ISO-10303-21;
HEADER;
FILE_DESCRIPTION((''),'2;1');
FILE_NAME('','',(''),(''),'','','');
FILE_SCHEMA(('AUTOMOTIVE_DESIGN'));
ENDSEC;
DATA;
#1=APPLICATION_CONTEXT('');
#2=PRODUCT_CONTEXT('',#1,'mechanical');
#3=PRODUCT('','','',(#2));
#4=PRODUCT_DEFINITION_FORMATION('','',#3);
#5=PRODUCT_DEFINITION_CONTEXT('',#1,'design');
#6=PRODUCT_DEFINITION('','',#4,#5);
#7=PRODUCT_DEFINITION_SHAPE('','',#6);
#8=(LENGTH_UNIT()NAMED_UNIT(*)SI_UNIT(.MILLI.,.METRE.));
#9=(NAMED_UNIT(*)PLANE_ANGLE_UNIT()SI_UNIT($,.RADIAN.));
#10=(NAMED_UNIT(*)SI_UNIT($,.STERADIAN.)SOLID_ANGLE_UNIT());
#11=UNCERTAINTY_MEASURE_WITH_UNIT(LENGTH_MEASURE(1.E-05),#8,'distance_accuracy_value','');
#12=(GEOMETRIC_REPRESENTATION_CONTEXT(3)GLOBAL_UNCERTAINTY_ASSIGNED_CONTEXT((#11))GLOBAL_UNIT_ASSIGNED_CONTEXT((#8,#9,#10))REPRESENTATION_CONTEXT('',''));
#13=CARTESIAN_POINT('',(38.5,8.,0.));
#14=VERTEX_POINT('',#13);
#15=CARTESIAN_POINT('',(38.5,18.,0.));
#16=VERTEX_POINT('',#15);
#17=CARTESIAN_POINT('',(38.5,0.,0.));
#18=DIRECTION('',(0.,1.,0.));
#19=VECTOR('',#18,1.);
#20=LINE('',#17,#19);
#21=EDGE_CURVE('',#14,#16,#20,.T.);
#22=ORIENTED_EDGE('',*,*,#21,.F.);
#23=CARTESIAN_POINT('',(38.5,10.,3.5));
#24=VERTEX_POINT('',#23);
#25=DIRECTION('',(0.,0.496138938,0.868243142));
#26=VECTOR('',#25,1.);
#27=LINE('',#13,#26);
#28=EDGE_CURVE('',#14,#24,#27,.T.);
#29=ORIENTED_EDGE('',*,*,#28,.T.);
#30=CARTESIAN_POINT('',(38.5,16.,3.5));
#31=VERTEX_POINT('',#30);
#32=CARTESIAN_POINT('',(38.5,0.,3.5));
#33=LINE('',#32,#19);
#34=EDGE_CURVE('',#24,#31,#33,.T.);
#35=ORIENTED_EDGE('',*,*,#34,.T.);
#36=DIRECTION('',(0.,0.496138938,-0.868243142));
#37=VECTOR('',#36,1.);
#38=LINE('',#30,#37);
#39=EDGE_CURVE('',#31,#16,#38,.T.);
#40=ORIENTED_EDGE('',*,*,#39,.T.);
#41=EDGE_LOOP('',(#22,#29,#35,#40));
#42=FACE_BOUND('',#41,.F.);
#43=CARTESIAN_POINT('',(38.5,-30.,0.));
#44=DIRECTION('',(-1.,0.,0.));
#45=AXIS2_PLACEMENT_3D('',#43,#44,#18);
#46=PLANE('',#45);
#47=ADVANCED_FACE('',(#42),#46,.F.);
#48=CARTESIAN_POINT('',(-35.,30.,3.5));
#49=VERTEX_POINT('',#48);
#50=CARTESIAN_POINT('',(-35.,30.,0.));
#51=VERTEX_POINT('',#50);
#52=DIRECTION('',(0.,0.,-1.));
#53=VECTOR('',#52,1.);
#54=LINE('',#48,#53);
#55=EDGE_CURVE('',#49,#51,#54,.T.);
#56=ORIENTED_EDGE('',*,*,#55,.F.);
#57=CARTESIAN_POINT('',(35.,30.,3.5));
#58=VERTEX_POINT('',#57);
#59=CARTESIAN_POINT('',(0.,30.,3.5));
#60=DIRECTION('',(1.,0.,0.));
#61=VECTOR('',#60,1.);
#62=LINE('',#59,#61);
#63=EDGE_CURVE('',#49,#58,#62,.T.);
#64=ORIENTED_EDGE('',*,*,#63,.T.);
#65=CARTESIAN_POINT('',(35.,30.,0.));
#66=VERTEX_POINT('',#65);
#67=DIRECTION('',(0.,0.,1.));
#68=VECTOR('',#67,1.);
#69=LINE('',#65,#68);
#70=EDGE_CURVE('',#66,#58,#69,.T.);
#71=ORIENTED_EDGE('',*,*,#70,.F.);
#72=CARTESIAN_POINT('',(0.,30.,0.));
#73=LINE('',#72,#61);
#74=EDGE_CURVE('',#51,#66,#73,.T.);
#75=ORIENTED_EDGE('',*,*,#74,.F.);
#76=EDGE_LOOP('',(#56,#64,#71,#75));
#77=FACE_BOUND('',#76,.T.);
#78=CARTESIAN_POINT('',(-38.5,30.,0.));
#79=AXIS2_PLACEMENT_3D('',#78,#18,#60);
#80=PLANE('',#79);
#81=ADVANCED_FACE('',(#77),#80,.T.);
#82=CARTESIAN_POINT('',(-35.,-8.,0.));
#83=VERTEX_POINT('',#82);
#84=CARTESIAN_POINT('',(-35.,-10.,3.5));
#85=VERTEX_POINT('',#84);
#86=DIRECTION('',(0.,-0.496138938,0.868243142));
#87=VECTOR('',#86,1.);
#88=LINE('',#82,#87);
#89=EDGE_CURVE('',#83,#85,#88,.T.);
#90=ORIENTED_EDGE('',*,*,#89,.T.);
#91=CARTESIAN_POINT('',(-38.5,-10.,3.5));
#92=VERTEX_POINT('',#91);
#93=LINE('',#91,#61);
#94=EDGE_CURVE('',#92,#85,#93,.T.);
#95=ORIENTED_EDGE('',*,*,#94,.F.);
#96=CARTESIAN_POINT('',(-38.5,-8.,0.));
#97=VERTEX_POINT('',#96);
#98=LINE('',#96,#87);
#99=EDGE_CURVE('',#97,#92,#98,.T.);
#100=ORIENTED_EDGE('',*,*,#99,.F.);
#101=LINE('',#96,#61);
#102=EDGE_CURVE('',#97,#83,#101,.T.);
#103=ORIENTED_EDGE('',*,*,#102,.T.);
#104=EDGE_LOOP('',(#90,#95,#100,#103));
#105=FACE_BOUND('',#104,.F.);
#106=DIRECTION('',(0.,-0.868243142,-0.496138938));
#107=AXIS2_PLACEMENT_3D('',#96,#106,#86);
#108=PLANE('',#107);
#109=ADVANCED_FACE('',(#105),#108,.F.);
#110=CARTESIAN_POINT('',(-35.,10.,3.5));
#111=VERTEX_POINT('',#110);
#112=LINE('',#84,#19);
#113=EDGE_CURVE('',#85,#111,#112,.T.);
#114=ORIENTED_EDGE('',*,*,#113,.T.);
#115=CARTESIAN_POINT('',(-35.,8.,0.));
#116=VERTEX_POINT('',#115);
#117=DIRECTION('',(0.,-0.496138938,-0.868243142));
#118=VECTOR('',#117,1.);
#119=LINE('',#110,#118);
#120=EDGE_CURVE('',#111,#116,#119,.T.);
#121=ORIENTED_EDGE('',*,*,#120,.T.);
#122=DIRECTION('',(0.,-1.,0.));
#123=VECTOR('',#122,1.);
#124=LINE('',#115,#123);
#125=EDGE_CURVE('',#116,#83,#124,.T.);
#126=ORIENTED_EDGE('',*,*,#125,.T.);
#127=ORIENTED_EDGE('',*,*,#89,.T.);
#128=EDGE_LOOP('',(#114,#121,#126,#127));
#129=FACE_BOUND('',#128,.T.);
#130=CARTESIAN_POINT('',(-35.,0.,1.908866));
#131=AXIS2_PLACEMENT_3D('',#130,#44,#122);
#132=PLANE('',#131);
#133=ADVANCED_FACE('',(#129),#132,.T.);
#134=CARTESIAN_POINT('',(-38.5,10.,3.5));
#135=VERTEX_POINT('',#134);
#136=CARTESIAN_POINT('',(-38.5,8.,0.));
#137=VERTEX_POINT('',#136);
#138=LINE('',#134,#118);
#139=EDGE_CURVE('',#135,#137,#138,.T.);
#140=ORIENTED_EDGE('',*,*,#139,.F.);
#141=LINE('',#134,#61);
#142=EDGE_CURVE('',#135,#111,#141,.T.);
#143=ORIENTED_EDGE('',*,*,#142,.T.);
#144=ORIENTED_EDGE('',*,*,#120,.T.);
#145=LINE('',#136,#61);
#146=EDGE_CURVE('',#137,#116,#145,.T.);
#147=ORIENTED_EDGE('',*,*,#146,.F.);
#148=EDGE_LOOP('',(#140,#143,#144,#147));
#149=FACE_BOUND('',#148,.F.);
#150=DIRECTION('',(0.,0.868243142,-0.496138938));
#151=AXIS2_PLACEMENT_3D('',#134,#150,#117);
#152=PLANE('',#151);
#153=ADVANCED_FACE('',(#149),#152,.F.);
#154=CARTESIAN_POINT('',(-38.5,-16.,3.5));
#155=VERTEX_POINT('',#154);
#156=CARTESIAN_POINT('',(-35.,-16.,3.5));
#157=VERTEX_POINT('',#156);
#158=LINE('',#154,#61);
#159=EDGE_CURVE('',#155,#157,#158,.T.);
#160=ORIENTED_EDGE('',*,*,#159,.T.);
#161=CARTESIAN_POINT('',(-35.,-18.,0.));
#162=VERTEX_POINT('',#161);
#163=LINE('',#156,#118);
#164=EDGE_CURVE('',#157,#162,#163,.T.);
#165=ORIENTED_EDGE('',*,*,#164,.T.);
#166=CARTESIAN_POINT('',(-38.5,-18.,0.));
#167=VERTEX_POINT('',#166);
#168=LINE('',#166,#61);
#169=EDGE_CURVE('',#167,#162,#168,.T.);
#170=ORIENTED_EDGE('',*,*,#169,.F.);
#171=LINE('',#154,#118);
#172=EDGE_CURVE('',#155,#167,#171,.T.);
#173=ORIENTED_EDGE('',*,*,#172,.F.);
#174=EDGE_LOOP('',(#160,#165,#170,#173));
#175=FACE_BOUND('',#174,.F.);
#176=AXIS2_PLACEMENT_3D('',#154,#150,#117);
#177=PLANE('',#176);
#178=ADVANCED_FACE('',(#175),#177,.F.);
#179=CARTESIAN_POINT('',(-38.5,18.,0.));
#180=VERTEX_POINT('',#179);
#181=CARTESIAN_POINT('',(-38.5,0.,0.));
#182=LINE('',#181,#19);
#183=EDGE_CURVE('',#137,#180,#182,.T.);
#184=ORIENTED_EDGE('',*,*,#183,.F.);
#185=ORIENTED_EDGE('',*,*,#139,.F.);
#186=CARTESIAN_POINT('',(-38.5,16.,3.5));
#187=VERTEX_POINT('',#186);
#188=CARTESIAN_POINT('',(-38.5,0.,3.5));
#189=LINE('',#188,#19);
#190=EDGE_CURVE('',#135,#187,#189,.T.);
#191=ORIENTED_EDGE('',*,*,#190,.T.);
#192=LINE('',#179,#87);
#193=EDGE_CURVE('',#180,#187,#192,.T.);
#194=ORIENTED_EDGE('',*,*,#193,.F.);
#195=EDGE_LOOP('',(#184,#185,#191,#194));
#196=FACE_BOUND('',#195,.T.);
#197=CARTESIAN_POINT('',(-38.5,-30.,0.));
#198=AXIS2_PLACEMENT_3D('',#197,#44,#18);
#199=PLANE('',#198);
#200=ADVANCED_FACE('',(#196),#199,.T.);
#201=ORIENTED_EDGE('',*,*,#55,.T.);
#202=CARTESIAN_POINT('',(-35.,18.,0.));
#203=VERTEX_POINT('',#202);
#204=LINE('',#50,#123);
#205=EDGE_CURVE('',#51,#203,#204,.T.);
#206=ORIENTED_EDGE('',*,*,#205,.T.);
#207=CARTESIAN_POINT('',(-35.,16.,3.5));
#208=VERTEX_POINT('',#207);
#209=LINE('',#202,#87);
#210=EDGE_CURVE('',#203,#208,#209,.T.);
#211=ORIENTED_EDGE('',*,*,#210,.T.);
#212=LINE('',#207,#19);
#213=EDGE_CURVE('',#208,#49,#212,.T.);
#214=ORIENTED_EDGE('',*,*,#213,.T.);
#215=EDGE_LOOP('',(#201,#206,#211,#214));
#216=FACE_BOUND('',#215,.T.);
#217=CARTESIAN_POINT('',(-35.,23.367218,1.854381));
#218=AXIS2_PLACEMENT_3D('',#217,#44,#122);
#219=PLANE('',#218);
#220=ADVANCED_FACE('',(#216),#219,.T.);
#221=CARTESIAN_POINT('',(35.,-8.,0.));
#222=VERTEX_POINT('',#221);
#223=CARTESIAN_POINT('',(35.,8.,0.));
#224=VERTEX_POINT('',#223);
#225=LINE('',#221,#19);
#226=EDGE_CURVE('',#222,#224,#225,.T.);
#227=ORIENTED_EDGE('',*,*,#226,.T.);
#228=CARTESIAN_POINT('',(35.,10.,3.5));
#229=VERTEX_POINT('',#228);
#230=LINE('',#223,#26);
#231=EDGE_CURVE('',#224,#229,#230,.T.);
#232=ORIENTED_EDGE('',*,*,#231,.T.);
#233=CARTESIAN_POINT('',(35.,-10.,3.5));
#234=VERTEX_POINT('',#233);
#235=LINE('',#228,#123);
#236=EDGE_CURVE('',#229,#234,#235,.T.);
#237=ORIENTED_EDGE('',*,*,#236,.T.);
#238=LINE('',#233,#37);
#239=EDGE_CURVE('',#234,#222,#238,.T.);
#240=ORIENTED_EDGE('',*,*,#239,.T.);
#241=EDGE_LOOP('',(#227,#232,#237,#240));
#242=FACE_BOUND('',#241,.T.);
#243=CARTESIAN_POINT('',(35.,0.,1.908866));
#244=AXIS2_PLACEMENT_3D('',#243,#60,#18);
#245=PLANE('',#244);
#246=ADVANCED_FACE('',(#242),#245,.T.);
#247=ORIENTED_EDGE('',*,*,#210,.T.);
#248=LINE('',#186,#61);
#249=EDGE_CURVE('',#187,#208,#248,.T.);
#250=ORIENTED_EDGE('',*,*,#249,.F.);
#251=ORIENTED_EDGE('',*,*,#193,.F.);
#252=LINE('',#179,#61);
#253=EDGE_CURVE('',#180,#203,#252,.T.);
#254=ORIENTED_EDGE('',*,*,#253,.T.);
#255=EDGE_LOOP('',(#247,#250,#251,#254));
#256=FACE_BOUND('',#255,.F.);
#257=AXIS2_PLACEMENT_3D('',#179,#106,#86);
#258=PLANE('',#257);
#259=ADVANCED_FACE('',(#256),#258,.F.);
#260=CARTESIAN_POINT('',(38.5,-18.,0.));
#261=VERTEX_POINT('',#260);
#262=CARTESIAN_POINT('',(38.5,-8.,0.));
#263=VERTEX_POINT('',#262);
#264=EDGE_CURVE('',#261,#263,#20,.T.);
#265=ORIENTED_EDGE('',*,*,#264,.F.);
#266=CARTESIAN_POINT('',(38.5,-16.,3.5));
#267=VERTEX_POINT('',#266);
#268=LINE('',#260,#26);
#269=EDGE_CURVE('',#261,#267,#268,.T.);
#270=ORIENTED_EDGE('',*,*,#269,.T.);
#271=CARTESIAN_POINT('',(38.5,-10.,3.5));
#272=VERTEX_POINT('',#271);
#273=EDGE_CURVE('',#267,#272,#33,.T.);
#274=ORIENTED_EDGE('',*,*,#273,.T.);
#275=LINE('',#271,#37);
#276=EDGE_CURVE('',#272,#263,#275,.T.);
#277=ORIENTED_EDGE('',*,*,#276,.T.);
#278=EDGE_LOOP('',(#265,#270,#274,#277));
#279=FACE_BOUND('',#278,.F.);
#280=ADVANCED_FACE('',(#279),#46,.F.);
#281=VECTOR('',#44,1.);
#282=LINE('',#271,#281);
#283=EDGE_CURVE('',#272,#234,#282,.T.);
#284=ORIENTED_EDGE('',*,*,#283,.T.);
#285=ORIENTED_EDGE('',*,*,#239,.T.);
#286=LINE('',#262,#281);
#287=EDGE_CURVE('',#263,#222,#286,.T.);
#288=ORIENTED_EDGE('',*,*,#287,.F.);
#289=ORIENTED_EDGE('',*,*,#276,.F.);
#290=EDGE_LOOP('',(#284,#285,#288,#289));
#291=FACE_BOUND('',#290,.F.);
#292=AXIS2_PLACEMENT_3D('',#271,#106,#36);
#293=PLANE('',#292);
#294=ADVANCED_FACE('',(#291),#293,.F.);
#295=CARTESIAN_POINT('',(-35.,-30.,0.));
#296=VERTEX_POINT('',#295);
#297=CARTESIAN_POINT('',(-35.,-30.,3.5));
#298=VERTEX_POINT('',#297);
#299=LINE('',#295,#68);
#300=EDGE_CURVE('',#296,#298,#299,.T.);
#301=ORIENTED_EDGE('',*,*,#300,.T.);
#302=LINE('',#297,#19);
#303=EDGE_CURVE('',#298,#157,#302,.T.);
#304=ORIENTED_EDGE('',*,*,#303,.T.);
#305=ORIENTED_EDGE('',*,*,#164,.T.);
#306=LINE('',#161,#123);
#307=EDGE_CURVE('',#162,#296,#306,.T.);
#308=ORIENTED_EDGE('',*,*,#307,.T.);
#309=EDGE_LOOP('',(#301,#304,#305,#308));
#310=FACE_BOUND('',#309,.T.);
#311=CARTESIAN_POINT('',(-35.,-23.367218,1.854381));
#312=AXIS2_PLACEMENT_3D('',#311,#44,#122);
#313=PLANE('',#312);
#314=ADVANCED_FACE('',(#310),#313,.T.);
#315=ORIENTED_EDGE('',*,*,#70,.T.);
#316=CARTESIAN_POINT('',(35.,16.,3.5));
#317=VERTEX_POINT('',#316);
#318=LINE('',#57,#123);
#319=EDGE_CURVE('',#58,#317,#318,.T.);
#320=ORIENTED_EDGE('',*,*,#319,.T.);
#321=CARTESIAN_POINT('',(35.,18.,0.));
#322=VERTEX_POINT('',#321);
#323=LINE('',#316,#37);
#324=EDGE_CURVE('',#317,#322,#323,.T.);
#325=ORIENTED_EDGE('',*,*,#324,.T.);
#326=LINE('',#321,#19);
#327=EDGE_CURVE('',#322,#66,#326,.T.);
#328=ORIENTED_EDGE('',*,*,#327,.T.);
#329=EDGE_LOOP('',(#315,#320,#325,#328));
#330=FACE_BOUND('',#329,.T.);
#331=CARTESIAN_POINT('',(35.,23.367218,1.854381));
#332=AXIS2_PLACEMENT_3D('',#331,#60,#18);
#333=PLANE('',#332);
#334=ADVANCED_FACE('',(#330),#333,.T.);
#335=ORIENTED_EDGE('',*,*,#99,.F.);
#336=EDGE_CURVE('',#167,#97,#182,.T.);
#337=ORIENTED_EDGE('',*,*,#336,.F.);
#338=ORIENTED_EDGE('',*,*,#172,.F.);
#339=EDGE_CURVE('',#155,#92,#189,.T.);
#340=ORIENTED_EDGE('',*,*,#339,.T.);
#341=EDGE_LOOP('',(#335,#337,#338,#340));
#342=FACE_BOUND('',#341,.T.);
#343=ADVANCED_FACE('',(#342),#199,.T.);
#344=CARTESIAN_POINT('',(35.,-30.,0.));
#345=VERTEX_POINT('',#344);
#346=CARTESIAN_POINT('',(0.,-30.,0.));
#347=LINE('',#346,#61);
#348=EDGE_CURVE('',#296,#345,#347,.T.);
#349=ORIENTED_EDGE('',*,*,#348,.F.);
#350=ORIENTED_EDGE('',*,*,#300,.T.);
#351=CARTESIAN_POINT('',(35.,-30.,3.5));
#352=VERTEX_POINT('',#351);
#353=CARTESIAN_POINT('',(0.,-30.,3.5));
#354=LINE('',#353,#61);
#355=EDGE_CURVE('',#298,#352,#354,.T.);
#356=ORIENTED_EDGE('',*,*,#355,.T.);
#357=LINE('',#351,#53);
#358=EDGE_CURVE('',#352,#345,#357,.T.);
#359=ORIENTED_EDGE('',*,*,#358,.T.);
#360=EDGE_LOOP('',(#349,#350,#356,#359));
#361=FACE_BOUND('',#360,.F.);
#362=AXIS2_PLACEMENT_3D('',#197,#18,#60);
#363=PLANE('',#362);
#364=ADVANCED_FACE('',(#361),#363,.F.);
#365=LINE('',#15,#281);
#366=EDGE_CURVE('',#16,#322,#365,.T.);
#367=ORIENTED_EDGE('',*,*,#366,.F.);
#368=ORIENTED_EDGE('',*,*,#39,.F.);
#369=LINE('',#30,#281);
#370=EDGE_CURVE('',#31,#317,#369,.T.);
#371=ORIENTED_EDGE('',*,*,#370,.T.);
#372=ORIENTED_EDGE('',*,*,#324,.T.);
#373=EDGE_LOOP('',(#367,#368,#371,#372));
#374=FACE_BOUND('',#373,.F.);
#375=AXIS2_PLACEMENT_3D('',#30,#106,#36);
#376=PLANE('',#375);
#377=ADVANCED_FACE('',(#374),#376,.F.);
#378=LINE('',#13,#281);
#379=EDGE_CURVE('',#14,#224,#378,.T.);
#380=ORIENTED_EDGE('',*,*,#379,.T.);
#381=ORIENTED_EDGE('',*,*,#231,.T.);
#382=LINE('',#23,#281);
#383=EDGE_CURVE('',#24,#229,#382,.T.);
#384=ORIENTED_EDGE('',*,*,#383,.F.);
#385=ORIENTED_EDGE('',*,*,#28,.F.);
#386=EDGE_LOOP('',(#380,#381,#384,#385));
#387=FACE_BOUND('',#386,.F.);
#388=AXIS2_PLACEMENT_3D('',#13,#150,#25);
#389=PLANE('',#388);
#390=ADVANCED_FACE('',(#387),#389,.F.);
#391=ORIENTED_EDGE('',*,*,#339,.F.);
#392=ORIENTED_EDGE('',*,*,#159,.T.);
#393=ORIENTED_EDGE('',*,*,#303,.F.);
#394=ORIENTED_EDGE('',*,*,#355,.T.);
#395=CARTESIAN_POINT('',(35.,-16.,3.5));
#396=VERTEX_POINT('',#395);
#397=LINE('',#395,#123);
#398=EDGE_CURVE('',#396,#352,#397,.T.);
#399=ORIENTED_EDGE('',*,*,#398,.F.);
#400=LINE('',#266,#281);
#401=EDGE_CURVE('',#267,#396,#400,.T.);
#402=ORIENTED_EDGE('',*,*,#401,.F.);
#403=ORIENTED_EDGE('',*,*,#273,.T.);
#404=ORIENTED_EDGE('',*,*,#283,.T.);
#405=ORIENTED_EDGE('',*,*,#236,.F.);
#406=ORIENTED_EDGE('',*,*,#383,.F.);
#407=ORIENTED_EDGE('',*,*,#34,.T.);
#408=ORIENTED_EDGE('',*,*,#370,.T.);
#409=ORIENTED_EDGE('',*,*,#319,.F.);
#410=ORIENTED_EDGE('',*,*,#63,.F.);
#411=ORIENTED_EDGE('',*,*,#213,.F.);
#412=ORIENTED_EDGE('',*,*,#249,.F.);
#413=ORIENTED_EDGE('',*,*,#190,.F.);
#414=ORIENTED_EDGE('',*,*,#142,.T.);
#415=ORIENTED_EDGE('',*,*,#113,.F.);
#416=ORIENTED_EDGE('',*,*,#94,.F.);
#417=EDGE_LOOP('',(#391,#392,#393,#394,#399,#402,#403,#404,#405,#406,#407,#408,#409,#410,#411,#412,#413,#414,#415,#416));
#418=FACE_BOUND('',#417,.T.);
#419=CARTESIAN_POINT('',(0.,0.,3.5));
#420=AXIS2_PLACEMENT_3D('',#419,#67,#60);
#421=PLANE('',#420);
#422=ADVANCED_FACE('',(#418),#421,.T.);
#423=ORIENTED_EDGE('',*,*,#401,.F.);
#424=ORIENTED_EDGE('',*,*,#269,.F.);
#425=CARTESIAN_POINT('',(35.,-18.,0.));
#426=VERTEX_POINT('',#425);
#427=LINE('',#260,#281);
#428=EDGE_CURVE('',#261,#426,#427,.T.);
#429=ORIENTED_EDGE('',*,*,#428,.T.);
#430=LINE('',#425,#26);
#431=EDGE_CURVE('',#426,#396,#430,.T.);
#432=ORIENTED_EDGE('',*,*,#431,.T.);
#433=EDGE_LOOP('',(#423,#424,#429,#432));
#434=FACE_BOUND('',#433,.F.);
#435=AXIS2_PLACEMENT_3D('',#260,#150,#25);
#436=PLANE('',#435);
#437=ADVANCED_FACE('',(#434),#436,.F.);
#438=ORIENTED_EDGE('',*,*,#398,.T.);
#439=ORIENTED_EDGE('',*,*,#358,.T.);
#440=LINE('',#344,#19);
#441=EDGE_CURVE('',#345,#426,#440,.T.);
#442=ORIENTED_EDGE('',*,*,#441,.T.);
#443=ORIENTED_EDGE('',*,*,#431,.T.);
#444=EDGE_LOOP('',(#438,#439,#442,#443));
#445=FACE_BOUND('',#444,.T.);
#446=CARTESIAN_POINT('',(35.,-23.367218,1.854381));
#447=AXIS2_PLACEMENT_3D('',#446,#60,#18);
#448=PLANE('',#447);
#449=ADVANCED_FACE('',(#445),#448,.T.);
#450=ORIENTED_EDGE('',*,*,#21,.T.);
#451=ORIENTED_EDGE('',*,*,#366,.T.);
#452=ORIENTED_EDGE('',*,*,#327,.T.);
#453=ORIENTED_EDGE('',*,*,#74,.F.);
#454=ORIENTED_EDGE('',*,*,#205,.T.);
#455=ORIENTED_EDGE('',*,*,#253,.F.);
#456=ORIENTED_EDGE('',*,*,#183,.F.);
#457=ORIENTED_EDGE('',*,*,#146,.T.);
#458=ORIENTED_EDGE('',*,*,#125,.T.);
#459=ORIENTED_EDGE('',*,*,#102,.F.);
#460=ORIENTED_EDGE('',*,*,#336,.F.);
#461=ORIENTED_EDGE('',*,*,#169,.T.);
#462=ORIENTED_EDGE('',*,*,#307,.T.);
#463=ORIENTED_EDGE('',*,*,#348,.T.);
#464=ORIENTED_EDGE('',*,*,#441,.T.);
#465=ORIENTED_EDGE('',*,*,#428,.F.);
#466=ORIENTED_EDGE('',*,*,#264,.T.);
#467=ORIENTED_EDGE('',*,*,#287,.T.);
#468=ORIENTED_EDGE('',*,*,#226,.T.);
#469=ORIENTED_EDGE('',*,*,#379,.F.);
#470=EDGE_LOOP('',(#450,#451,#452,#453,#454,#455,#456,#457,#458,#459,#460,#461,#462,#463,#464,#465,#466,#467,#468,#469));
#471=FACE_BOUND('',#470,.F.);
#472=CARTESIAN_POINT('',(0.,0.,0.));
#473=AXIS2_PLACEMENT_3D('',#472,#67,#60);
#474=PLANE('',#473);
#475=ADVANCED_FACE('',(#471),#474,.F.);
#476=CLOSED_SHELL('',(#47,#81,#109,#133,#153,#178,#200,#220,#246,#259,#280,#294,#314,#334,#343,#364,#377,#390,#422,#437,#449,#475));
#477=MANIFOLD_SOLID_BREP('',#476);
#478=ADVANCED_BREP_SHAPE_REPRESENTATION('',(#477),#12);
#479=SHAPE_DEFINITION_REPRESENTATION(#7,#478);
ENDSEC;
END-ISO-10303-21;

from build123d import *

# Parameters (mm, degrees)
F0_W     = 77
F0_H     = 60
F1_DEPTH = 3.5
F3_DEPTH = 3.5
F5_DEPTH = 3.5


with BuildPart() as f1:
    # F0 (on Top) → F1 (new body)
    with BuildSketch(Plane.XY):
        Rectangle(F0_W, F0_H)
    extrude(amount=F1_DEPTH)

    # F2 (on face) → F3 (cut)
    with BuildSketch(Plane(origin=(-38.5, 0, 0), x_dir=(0, -1, 0), z_dir=(-1, 0, 0))):
        Polygon((-16, 3.5), (-30, 3.5), (-30, 0), (-18, 0), align=None)
        Polygon((10, 3.5), (-10, 3.5), (-8, 0), (8, 0), align=None)
        Polygon((30, 3.5), (16, 3.5), (18, 0), (30, 0), align=None)
    extrude(amount=-F3_DEPTH, mode=Mode.SUBTRACT)

    # F4 (on face) → F5 (cut)
    with BuildSketch(Plane.YZ.offset(38.5)):
        Polygon((-18, 0), (-16, 3.5), (-30, 3.5), (-30, 0), align=None)
        Polygon((8, 0), (10, 3.5), (-10, 3.5), (-8, 0), align=None)
        Polygon((30, 0), (30, 3.5), (16, 3.5), (18, 0), align=None)
    extrude(amount=-F5_DEPTH, mode=Mode.SUBTRACT)


solid = f1.part
